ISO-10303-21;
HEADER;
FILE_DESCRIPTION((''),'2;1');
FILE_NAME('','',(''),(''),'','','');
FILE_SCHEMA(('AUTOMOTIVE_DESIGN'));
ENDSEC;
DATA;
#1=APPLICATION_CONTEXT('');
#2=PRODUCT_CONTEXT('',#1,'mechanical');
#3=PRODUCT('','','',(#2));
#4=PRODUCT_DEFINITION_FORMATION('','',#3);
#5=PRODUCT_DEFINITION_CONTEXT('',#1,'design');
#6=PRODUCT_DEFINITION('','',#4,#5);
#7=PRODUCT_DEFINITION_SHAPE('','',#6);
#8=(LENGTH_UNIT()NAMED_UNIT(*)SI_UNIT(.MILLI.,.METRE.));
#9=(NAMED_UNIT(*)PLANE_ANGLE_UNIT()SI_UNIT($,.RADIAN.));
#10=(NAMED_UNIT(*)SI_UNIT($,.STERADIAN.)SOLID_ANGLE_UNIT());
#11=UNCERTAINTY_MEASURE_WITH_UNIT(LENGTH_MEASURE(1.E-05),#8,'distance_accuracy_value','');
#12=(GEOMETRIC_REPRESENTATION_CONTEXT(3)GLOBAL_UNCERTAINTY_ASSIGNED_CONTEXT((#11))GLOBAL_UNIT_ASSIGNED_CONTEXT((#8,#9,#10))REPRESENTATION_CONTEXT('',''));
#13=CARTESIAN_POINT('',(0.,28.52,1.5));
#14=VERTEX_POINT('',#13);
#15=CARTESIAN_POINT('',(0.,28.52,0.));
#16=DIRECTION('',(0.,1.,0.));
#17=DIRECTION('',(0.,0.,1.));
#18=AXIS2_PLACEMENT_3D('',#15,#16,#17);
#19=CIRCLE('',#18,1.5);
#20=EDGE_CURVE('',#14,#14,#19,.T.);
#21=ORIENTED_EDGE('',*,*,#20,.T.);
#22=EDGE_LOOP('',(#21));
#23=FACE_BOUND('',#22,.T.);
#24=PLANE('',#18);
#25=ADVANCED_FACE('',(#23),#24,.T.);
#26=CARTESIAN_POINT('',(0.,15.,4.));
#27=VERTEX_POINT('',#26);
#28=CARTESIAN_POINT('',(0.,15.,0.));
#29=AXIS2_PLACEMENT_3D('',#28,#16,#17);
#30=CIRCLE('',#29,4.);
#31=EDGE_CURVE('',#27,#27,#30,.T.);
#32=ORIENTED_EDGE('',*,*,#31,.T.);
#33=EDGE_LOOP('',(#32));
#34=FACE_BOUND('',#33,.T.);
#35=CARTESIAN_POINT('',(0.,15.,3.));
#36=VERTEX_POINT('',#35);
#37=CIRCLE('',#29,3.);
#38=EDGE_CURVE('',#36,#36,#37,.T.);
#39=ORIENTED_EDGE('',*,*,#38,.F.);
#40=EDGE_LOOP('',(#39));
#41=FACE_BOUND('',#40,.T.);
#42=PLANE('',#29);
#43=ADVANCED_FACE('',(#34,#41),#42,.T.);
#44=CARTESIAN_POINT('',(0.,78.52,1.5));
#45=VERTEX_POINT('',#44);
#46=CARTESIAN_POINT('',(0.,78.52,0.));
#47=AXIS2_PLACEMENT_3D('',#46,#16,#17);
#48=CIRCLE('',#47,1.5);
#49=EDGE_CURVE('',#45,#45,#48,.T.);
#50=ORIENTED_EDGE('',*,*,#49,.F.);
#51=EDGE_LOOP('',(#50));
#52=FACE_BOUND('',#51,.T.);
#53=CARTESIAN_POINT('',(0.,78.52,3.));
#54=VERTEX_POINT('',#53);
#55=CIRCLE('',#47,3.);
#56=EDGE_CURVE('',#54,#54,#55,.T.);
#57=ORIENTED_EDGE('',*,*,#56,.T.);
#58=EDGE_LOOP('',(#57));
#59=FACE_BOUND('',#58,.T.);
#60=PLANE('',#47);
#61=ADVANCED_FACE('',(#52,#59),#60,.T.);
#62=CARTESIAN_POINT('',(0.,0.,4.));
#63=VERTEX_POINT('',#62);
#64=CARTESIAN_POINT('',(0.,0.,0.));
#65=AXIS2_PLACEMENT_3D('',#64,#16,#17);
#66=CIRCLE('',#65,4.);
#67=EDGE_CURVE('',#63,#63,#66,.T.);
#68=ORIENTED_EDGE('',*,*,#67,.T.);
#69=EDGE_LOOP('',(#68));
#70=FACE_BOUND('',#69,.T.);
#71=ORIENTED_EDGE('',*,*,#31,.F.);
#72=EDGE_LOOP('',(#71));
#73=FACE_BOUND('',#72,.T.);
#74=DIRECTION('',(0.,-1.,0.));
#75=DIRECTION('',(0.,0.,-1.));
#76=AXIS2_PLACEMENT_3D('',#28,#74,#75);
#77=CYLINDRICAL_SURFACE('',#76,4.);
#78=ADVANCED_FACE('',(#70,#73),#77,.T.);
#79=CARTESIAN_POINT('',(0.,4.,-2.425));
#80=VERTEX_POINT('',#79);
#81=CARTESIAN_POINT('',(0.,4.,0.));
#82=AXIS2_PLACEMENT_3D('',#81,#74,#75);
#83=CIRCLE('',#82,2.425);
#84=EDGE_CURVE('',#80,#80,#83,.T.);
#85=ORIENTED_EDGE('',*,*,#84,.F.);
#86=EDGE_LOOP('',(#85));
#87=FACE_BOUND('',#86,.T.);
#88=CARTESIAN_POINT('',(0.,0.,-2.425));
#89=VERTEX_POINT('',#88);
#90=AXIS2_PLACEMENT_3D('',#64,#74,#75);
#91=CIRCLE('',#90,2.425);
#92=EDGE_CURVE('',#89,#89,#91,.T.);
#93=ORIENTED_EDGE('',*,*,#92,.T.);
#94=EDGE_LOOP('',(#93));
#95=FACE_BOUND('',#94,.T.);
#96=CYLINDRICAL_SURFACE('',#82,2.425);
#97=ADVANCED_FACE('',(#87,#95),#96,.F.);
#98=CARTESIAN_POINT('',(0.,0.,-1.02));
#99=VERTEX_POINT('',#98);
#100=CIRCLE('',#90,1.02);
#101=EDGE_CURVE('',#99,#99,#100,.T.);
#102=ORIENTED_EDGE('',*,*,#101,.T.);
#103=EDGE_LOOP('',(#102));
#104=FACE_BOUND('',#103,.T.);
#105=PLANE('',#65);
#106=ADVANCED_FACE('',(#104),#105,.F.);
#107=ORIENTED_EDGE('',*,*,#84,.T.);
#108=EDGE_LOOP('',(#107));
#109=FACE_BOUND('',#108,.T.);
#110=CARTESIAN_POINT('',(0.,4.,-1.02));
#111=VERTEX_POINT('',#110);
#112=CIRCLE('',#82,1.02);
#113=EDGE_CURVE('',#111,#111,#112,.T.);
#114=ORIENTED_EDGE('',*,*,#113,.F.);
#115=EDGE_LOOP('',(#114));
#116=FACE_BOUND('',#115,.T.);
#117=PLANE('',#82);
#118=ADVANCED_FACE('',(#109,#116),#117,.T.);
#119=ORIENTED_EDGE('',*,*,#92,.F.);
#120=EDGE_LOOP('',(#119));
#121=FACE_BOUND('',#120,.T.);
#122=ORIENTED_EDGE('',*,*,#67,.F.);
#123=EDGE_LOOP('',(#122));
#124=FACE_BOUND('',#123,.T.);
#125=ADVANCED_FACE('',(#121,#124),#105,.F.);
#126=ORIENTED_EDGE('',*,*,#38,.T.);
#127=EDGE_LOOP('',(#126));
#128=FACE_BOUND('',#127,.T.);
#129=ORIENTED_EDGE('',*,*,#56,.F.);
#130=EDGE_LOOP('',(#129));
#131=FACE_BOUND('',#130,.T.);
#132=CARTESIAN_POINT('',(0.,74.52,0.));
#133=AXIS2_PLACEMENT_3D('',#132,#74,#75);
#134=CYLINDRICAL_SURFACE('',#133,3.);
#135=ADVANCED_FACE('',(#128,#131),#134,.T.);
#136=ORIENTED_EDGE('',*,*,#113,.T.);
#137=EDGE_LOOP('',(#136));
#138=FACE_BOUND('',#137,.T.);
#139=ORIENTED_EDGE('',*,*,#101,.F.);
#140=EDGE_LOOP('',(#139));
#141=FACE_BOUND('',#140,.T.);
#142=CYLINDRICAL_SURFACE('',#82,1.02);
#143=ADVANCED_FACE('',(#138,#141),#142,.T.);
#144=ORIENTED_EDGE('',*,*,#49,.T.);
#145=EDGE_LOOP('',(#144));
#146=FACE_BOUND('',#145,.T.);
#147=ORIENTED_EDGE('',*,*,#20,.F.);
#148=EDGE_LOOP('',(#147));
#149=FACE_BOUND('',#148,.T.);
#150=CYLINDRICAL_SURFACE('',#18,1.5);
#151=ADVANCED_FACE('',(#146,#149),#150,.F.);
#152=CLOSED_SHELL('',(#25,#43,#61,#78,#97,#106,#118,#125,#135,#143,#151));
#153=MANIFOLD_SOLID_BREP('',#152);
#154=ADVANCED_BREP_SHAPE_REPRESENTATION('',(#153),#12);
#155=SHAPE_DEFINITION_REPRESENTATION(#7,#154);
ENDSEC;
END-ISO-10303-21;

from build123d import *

# Parameters (mm, degrees)
SKETCH1_R           = 4
BOSS_EXTRUDE1_DEPTH = 15
SKETCH2_R           = 3
BOSS_EXTRUDE2_DEPTH = 59.52
SKETCH3_R           = 2.425
SKETCH3_R_2         = 1.02
CUT_EXTRUDE1_DEPTH  = 4
SKETCH4_R           = 3
BOSS_EXTRUDE3_DEPTH = 4
SKETCH5_R           = 1.5
CUT_EXTRUDE2_DEPTH  = 50


with BuildPart() as part:
    # Sketch1 → Boss-Extrude1 (new body)
    with BuildSketch(Plane(origin=(0, 0, 0), x_dir=(1, 0, 0), z_dir=(0, 1, 0))):
        Circle(SKETCH1_R)
    extrude(amount=BOSS_EXTRUDE1_DEPTH)

    # Sketch2 → Boss-Extrude2 (add)
    with BuildSketch(Plane(origin=(0, 15, 0), x_dir=(1, 0, 0), z_dir=(0, 1, 0))):
        Circle(SKETCH2_R)
    extrude(amount=BOSS_EXTRUDE2_DEPTH)

    # Sketch3 → Cut-Extrude1 (cut)
    with BuildSketch(Plane.XZ):
        Circle(SKETCH3_R)
        Circle(SKETCH3_R_2, mode=Mode.SUBTRACT)
    extrude(amount=-CUT_EXTRUDE1_DEPTH, mode=Mode.SUBTRACT)

    # Sketch4 → Boss-Extrude3 (add)
    with BuildSketch(Plane(origin=(0, 74.52, 0), x_dir=(1, 0, 0), z_dir=(0, 1, 0))):
        Circle(SKETCH4_R)
    extrude(amount=BOSS_EXTRUDE3_DEPTH)

    # Sketch5 → Cut-Extrude2 (cut)
    with BuildSketch(Plane(origin=(0, 78.52, 0), x_dir=(1, 0, 0), z_dir=(0, 1, 0))):
        Circle(SKETCH5_R)
    extrude(amount=-CUT_EXTRUDE2_DEPTH, mode=Mode.SUBTRACT)


solid = part.part
